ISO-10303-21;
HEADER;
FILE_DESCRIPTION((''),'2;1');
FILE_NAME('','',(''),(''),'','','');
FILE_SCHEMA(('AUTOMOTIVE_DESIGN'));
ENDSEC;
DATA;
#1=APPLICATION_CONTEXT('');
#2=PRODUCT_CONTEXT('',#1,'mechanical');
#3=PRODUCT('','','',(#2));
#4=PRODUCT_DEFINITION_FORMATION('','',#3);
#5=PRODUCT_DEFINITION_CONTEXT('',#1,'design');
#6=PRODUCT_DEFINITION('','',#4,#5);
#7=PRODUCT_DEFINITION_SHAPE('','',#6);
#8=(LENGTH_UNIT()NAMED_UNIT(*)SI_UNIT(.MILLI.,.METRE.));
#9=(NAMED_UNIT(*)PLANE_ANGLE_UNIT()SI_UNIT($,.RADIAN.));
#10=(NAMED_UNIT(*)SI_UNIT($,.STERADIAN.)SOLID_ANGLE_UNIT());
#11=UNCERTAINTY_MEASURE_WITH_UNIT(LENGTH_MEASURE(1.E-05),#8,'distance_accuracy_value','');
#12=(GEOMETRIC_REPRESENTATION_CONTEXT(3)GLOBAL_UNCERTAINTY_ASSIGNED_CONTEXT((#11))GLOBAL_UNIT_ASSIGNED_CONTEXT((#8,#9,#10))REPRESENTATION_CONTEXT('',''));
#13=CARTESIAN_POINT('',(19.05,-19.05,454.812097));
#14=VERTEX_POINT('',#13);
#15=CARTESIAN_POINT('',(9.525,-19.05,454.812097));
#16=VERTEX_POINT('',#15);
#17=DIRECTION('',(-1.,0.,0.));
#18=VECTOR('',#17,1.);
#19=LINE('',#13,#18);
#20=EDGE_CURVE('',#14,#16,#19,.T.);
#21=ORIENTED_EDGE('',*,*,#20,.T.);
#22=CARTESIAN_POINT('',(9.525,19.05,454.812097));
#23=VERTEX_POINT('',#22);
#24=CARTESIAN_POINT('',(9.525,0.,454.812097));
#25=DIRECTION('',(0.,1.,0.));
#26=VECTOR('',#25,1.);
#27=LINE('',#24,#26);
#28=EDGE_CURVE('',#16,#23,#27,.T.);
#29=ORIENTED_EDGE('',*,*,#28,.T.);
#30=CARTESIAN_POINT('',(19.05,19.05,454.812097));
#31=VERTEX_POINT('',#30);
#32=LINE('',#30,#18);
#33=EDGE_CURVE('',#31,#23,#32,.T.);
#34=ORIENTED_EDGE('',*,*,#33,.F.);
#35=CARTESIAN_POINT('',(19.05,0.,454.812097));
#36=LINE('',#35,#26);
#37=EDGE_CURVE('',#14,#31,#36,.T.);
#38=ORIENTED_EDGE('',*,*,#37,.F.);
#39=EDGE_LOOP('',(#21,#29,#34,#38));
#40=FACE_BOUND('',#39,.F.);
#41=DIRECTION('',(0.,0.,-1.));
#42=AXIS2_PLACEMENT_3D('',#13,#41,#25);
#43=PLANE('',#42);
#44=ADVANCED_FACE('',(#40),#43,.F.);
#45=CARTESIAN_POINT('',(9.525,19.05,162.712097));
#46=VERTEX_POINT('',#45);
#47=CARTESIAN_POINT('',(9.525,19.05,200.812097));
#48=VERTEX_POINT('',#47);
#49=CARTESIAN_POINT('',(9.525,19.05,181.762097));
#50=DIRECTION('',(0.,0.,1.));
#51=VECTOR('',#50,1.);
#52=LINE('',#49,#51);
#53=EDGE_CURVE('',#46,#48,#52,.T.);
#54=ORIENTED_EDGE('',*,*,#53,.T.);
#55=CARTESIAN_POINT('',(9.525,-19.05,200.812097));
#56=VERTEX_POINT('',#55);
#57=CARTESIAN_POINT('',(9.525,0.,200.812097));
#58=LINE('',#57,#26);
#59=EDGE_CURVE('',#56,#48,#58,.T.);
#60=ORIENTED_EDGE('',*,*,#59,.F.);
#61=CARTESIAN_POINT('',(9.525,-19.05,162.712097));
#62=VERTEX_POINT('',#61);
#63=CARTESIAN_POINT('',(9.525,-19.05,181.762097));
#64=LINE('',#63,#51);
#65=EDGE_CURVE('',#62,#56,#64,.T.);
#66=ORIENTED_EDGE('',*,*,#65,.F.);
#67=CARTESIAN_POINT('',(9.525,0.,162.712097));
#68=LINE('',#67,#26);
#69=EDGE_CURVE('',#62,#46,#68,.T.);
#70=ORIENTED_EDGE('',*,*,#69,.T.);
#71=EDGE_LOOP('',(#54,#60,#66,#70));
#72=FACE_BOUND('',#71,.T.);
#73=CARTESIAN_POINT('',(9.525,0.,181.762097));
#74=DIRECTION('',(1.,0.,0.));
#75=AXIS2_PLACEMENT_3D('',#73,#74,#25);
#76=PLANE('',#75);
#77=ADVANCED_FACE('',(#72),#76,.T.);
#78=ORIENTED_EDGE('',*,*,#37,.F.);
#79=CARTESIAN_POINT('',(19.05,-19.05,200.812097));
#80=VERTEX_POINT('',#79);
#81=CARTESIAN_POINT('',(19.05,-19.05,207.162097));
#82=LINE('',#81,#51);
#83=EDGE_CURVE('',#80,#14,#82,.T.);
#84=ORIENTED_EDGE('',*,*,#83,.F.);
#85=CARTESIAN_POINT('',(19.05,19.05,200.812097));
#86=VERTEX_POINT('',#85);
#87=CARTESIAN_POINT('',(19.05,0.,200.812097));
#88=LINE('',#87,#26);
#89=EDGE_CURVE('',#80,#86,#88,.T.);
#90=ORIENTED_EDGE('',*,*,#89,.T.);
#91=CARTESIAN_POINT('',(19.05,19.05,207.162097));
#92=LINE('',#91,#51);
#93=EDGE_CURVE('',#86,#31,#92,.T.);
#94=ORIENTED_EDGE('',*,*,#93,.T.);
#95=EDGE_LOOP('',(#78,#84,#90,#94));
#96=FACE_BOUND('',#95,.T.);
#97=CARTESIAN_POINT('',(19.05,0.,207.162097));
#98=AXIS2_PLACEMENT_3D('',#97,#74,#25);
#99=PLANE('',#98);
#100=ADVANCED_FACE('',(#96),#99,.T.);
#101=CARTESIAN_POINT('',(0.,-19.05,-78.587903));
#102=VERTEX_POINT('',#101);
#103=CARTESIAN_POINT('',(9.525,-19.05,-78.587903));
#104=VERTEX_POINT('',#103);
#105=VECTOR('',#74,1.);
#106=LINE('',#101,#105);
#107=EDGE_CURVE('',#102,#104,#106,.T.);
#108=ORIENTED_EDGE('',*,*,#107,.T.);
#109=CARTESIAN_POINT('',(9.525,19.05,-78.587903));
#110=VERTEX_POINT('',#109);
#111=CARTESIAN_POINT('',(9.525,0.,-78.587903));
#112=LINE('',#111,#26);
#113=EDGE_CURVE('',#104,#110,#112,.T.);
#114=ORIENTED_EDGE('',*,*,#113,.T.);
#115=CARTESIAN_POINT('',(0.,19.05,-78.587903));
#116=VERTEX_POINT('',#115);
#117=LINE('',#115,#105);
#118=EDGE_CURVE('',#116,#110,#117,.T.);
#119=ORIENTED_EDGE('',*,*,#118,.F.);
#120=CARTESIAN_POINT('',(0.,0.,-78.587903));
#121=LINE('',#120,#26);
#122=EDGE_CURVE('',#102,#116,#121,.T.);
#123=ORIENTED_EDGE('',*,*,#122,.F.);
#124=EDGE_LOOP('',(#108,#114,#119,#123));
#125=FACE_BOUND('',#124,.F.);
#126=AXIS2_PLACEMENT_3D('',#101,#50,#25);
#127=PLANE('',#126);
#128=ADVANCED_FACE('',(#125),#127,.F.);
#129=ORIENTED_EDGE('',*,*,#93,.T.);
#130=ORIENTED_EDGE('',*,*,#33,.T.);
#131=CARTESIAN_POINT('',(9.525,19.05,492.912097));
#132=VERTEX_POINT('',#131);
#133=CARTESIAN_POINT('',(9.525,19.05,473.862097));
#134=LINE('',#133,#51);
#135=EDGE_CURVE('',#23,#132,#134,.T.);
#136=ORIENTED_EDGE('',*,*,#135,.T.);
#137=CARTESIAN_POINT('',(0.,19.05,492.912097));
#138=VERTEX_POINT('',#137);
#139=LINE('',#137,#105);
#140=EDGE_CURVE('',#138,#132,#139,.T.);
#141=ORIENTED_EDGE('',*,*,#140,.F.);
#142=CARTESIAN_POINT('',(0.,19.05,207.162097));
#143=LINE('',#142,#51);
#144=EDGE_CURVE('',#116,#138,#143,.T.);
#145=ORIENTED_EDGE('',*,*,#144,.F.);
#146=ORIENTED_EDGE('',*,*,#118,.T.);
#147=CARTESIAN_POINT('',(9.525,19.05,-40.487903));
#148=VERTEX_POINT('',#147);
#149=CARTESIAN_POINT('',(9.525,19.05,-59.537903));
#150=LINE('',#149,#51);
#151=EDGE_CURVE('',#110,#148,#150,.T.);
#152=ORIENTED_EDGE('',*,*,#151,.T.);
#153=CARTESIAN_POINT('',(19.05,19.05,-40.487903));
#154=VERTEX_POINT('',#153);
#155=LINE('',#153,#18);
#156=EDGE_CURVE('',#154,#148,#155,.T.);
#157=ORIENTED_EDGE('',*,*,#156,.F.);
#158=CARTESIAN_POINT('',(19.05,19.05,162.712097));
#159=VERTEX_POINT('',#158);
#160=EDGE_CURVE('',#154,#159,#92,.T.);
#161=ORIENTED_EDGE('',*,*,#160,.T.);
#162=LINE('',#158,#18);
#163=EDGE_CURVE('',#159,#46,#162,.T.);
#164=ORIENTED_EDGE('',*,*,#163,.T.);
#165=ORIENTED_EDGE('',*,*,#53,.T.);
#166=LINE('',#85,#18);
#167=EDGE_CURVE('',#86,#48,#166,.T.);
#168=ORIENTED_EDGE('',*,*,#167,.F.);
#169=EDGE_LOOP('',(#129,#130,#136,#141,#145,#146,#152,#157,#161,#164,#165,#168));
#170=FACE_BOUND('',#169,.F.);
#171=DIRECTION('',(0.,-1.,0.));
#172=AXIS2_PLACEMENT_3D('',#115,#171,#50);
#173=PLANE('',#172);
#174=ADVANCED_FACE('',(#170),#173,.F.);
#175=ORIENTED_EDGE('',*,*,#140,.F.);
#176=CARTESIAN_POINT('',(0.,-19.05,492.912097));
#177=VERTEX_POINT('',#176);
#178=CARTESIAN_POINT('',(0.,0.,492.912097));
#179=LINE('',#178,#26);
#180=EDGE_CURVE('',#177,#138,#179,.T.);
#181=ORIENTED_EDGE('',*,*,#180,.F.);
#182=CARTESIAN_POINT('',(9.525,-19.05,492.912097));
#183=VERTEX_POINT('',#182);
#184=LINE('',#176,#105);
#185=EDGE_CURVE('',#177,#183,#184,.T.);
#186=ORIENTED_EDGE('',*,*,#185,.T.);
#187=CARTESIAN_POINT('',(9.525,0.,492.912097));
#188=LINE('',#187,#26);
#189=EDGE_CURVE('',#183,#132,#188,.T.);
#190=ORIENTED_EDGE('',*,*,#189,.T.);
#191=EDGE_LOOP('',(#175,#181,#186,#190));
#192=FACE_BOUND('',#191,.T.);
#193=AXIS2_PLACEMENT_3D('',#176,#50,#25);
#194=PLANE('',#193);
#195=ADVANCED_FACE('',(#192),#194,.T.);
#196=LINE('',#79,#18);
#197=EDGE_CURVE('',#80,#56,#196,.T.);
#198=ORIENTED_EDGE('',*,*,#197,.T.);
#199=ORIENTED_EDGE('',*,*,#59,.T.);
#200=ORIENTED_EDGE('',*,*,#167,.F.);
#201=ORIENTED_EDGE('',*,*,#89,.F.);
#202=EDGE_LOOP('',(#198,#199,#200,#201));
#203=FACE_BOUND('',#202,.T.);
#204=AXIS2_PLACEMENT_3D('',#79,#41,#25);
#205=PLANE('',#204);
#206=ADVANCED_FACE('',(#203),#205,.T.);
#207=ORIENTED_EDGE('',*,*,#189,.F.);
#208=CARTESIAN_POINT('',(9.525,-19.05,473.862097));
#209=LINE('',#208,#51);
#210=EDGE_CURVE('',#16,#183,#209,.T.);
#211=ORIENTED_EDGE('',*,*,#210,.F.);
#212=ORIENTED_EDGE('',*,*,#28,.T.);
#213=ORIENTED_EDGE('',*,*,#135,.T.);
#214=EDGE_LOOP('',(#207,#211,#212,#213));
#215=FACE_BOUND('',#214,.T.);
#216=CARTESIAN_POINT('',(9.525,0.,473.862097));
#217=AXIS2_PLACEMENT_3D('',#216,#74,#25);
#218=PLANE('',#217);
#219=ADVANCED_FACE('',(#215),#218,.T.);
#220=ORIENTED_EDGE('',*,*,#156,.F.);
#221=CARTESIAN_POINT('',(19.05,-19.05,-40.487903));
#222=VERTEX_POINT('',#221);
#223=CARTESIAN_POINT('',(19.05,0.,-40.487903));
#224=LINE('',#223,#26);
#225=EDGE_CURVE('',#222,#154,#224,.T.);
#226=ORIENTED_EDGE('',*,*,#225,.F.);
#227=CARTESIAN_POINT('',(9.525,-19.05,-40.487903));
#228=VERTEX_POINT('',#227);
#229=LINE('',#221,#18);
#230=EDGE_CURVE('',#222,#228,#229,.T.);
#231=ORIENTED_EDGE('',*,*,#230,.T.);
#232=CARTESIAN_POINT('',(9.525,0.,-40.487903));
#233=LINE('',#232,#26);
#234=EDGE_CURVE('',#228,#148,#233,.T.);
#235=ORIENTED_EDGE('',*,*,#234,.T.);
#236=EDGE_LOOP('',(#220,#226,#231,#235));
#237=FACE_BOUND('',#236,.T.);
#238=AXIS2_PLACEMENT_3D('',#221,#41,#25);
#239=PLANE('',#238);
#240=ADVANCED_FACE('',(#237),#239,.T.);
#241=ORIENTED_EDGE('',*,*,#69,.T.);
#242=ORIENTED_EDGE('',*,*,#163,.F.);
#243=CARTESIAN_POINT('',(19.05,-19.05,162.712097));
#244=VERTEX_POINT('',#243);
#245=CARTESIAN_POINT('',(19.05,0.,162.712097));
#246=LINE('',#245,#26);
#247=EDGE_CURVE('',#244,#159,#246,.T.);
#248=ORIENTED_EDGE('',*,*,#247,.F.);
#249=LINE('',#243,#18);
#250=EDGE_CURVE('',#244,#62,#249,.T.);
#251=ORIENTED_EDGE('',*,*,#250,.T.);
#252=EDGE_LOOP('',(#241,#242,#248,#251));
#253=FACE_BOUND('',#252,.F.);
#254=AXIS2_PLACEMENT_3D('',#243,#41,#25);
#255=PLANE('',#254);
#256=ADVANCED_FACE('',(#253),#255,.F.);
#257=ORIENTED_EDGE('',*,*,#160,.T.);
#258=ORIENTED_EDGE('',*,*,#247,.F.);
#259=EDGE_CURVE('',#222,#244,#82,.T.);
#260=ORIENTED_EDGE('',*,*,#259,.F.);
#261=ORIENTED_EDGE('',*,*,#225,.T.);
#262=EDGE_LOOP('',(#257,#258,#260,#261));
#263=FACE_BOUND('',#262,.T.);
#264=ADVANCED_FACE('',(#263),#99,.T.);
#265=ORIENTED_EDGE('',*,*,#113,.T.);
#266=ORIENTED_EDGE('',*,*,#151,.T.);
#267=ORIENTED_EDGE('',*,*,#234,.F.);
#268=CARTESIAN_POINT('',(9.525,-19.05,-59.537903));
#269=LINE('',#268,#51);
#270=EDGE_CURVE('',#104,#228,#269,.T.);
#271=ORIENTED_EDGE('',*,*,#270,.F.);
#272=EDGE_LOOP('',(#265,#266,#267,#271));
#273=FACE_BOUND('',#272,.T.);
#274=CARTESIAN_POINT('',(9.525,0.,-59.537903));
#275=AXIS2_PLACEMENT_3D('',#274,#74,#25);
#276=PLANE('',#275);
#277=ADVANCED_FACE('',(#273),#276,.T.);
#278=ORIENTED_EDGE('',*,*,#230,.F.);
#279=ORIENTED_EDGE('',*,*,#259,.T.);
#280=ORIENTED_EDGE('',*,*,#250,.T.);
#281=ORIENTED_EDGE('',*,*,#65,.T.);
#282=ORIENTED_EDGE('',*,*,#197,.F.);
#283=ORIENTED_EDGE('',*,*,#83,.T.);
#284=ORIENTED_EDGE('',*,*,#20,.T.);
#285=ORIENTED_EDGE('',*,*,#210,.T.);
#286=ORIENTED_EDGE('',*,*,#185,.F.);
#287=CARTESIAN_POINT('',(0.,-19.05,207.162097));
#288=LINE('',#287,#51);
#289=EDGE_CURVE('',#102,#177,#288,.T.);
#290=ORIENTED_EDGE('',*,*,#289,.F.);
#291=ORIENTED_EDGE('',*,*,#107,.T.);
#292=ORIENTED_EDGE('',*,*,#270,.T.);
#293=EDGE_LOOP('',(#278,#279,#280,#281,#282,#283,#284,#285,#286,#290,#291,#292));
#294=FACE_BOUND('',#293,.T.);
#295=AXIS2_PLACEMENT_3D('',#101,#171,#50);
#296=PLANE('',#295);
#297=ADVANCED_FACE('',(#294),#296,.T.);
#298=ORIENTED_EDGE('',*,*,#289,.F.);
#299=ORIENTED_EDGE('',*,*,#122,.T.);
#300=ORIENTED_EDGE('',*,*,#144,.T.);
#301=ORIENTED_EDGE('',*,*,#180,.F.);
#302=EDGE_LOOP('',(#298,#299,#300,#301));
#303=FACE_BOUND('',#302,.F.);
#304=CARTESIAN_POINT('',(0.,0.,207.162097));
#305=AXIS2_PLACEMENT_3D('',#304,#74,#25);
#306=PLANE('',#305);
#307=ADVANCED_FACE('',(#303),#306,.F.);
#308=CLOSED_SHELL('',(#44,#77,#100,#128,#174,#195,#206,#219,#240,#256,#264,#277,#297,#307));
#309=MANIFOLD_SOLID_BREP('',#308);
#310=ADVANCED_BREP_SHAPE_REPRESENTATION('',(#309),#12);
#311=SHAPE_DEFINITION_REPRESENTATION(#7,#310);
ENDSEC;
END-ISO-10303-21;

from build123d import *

# Parameters (mm, degrees)
F0_W     = 38.1
F0_H     = 571.5
F1_DEPTH = 19.05
F2_W     = 38.1
F2_H     = 38.1
F3_DEPTH = 9.525


with BuildPart() as f1:
    # F0 (on Right) → F1 (new body)
    with BuildSketch(Plane.YZ):
        with Locations((0, 207.162097)):
            Rectangle(F0_W, F0_H)
    extrude(amount=F1_DEPTH)

    # F2 (on face) → F3 (cut)
    with BuildSketch(Plane.YZ.offset(19.05)):
        with Locations((0, 473.862097)):
            Rectangle(F2_W, F2_H)
        with Locations((0, 181.762097)):
            Rectangle(F2_W, F2_H)
        with Locations((0, -59.537903)):
            Rectangle(F2_W, F2_H)
    extrude(amount=-F3_DEPTH, mode=Mode.SUBTRACT)


solid = f1.part
